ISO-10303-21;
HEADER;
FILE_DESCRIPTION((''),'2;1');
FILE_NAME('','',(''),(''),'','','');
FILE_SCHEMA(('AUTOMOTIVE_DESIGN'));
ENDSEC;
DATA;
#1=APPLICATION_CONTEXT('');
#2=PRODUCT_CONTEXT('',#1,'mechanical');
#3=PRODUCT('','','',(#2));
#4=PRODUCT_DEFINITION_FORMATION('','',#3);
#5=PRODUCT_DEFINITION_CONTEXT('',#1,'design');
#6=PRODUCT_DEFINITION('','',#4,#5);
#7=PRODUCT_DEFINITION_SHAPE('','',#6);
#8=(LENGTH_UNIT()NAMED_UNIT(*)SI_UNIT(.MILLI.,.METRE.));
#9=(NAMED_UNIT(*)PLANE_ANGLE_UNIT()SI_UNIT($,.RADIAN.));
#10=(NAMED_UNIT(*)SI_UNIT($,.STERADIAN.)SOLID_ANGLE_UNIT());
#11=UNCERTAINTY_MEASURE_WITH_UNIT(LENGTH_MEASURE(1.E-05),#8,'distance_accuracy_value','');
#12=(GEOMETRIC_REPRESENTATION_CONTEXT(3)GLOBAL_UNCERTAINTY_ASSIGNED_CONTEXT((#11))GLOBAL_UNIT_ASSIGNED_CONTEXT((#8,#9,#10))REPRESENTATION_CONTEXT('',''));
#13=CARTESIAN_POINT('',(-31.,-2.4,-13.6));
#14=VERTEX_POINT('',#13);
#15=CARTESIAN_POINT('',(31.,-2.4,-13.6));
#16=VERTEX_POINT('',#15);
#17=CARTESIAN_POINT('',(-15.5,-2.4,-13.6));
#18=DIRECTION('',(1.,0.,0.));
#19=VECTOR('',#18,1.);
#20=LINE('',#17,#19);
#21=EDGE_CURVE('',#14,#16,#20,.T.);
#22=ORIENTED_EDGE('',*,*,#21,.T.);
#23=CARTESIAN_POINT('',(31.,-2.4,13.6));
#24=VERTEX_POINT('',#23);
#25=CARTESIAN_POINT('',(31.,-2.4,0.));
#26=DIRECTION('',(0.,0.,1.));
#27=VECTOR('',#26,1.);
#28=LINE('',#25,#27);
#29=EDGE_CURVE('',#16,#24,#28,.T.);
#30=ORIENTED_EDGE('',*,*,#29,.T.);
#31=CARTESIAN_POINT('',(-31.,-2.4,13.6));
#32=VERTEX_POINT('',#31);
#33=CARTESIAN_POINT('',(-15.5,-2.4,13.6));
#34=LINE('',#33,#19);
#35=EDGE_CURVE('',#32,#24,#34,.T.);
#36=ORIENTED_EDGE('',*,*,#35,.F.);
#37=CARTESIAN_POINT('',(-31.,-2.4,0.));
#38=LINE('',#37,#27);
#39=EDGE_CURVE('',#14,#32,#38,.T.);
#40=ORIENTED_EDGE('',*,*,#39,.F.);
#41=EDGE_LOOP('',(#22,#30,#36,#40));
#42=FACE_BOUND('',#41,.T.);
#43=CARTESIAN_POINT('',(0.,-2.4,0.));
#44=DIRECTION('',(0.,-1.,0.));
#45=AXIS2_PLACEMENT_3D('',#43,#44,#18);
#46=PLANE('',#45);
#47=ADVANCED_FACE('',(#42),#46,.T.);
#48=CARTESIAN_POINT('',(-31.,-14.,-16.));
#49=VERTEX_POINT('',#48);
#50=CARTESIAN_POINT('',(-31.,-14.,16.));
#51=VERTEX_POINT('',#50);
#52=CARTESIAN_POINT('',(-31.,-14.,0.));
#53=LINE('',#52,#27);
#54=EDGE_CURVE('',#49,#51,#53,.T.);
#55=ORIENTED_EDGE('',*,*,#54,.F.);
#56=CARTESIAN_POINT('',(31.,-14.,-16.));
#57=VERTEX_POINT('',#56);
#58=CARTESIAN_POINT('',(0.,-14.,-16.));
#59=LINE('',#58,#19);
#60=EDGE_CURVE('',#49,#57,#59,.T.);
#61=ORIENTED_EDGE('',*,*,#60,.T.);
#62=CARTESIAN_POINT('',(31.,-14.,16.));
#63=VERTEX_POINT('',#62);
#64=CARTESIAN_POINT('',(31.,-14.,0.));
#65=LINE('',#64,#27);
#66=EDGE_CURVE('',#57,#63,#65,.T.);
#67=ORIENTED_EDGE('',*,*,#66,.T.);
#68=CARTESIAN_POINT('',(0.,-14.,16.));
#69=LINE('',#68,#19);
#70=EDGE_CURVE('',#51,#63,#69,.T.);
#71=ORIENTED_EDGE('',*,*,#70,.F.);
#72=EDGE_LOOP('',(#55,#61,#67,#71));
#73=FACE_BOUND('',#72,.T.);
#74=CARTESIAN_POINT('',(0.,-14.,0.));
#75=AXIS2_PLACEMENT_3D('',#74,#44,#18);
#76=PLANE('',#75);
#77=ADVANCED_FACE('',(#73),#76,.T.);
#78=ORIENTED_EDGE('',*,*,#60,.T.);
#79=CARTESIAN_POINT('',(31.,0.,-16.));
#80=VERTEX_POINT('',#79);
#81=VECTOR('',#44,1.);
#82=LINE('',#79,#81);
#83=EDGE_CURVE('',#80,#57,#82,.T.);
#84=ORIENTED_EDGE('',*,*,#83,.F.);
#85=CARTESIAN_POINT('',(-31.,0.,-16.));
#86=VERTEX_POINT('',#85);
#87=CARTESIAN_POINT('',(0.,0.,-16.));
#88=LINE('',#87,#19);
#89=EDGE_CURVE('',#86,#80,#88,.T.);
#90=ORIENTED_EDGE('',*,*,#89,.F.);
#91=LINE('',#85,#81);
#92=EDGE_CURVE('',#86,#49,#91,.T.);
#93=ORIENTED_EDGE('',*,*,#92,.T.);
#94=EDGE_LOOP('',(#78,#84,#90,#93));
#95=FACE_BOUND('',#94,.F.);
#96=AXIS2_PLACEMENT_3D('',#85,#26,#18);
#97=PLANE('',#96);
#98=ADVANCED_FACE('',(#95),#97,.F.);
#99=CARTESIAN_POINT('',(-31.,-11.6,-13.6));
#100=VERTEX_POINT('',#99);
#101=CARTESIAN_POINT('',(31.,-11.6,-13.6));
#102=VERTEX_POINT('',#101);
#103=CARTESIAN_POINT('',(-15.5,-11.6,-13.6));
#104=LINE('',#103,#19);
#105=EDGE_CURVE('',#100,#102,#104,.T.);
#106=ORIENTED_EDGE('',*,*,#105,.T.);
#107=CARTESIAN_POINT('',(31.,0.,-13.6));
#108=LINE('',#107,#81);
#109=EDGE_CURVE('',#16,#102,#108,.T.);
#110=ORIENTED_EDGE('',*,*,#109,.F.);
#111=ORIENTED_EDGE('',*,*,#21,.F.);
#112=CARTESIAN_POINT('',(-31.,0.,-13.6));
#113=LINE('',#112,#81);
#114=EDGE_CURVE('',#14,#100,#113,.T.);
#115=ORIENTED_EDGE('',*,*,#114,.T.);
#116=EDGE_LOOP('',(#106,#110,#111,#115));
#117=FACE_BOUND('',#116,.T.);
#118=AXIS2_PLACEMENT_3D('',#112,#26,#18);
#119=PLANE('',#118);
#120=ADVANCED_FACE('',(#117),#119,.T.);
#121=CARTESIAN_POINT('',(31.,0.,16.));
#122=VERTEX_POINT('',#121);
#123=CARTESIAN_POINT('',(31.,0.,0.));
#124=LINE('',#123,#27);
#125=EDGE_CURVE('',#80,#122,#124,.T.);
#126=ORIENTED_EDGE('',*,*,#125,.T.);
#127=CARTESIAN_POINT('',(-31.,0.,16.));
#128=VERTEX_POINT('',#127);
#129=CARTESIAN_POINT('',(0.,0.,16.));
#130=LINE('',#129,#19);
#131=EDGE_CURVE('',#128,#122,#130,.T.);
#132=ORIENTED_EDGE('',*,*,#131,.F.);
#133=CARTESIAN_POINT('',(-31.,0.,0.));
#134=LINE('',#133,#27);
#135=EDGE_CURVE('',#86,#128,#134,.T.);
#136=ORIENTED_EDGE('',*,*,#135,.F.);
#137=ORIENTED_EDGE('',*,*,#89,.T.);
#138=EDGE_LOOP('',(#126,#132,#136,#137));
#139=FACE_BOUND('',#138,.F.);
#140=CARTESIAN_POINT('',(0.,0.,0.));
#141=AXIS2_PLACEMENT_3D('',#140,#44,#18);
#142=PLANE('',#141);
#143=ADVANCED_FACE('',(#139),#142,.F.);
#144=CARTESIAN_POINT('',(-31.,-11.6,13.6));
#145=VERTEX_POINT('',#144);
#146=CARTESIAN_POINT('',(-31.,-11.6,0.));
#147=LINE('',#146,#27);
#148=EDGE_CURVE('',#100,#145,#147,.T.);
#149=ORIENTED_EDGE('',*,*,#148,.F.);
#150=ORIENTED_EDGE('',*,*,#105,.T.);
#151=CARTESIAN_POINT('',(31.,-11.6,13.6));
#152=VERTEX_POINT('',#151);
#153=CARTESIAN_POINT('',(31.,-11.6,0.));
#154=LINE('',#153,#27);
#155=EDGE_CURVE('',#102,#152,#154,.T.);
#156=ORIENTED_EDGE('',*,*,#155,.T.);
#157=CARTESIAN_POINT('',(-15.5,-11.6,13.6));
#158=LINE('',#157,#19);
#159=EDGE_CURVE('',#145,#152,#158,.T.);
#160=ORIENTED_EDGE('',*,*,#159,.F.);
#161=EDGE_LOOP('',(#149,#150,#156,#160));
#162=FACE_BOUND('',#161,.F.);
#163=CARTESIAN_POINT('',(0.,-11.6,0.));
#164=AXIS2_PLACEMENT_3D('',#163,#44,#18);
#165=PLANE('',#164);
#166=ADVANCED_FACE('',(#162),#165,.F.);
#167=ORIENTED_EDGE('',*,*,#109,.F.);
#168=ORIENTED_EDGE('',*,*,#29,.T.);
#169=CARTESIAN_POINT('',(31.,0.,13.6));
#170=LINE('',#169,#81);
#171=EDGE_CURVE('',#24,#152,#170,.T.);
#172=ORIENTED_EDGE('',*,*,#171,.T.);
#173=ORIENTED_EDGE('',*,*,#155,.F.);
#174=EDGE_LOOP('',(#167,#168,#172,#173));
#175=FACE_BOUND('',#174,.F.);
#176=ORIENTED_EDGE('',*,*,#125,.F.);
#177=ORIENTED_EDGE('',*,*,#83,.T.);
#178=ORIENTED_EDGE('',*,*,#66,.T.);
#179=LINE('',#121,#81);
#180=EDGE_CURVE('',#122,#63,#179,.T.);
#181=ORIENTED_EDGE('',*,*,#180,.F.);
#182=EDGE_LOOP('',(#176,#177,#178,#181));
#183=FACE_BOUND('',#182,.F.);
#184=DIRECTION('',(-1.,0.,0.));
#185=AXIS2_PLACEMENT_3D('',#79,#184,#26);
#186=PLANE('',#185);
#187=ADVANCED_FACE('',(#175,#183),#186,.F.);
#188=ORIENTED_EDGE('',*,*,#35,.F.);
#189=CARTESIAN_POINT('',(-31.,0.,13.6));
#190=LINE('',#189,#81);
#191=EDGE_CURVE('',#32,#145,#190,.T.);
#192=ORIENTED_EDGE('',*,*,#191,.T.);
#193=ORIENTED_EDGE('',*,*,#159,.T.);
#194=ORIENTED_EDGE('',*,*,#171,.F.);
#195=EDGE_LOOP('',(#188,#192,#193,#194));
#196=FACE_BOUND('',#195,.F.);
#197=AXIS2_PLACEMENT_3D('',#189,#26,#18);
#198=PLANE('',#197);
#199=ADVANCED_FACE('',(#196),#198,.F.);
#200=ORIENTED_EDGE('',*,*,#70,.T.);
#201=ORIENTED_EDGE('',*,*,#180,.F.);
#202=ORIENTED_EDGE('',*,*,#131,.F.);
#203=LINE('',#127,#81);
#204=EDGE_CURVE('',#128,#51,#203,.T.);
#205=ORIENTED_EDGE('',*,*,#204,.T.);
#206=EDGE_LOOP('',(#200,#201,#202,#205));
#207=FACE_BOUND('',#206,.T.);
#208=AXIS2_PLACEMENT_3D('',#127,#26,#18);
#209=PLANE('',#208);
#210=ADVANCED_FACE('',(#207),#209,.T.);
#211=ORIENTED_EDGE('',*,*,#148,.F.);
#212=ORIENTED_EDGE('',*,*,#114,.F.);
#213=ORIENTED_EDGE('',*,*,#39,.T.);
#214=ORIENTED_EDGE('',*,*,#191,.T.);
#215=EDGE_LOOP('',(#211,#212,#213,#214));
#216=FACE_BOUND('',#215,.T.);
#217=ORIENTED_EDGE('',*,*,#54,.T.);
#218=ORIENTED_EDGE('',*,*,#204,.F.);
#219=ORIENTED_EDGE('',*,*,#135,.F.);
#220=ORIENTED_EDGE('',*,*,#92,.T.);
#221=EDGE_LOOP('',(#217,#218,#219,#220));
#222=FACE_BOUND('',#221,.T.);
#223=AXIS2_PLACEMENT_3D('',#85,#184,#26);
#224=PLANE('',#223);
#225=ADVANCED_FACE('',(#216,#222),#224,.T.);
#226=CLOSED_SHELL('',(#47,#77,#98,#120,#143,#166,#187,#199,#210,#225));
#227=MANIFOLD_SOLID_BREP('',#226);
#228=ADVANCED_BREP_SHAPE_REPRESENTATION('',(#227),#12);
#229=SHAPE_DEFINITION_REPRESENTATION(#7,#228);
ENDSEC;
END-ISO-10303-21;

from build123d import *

# Parameters (mm, degrees)
F0_W     = 62
F0_H     = 32
F1_DEPTH = 14
F2_T     = -2.4


with BuildPart() as f1:
    # F0 (on Front) → F1 (new body)
    with BuildSketch(Plane.XZ):
        Rectangle(F0_W, F0_H)
    extrude(amount=F1_DEPTH)

    # F2
    f2_openings = [f1.faces().sort_by_distance(p)[0] for p in [
        (31, -7, 0),
        (-31, -7, 0),
    ]]
    offset(amount=F2_T, openings=f2_openings)


solid = f1.part
